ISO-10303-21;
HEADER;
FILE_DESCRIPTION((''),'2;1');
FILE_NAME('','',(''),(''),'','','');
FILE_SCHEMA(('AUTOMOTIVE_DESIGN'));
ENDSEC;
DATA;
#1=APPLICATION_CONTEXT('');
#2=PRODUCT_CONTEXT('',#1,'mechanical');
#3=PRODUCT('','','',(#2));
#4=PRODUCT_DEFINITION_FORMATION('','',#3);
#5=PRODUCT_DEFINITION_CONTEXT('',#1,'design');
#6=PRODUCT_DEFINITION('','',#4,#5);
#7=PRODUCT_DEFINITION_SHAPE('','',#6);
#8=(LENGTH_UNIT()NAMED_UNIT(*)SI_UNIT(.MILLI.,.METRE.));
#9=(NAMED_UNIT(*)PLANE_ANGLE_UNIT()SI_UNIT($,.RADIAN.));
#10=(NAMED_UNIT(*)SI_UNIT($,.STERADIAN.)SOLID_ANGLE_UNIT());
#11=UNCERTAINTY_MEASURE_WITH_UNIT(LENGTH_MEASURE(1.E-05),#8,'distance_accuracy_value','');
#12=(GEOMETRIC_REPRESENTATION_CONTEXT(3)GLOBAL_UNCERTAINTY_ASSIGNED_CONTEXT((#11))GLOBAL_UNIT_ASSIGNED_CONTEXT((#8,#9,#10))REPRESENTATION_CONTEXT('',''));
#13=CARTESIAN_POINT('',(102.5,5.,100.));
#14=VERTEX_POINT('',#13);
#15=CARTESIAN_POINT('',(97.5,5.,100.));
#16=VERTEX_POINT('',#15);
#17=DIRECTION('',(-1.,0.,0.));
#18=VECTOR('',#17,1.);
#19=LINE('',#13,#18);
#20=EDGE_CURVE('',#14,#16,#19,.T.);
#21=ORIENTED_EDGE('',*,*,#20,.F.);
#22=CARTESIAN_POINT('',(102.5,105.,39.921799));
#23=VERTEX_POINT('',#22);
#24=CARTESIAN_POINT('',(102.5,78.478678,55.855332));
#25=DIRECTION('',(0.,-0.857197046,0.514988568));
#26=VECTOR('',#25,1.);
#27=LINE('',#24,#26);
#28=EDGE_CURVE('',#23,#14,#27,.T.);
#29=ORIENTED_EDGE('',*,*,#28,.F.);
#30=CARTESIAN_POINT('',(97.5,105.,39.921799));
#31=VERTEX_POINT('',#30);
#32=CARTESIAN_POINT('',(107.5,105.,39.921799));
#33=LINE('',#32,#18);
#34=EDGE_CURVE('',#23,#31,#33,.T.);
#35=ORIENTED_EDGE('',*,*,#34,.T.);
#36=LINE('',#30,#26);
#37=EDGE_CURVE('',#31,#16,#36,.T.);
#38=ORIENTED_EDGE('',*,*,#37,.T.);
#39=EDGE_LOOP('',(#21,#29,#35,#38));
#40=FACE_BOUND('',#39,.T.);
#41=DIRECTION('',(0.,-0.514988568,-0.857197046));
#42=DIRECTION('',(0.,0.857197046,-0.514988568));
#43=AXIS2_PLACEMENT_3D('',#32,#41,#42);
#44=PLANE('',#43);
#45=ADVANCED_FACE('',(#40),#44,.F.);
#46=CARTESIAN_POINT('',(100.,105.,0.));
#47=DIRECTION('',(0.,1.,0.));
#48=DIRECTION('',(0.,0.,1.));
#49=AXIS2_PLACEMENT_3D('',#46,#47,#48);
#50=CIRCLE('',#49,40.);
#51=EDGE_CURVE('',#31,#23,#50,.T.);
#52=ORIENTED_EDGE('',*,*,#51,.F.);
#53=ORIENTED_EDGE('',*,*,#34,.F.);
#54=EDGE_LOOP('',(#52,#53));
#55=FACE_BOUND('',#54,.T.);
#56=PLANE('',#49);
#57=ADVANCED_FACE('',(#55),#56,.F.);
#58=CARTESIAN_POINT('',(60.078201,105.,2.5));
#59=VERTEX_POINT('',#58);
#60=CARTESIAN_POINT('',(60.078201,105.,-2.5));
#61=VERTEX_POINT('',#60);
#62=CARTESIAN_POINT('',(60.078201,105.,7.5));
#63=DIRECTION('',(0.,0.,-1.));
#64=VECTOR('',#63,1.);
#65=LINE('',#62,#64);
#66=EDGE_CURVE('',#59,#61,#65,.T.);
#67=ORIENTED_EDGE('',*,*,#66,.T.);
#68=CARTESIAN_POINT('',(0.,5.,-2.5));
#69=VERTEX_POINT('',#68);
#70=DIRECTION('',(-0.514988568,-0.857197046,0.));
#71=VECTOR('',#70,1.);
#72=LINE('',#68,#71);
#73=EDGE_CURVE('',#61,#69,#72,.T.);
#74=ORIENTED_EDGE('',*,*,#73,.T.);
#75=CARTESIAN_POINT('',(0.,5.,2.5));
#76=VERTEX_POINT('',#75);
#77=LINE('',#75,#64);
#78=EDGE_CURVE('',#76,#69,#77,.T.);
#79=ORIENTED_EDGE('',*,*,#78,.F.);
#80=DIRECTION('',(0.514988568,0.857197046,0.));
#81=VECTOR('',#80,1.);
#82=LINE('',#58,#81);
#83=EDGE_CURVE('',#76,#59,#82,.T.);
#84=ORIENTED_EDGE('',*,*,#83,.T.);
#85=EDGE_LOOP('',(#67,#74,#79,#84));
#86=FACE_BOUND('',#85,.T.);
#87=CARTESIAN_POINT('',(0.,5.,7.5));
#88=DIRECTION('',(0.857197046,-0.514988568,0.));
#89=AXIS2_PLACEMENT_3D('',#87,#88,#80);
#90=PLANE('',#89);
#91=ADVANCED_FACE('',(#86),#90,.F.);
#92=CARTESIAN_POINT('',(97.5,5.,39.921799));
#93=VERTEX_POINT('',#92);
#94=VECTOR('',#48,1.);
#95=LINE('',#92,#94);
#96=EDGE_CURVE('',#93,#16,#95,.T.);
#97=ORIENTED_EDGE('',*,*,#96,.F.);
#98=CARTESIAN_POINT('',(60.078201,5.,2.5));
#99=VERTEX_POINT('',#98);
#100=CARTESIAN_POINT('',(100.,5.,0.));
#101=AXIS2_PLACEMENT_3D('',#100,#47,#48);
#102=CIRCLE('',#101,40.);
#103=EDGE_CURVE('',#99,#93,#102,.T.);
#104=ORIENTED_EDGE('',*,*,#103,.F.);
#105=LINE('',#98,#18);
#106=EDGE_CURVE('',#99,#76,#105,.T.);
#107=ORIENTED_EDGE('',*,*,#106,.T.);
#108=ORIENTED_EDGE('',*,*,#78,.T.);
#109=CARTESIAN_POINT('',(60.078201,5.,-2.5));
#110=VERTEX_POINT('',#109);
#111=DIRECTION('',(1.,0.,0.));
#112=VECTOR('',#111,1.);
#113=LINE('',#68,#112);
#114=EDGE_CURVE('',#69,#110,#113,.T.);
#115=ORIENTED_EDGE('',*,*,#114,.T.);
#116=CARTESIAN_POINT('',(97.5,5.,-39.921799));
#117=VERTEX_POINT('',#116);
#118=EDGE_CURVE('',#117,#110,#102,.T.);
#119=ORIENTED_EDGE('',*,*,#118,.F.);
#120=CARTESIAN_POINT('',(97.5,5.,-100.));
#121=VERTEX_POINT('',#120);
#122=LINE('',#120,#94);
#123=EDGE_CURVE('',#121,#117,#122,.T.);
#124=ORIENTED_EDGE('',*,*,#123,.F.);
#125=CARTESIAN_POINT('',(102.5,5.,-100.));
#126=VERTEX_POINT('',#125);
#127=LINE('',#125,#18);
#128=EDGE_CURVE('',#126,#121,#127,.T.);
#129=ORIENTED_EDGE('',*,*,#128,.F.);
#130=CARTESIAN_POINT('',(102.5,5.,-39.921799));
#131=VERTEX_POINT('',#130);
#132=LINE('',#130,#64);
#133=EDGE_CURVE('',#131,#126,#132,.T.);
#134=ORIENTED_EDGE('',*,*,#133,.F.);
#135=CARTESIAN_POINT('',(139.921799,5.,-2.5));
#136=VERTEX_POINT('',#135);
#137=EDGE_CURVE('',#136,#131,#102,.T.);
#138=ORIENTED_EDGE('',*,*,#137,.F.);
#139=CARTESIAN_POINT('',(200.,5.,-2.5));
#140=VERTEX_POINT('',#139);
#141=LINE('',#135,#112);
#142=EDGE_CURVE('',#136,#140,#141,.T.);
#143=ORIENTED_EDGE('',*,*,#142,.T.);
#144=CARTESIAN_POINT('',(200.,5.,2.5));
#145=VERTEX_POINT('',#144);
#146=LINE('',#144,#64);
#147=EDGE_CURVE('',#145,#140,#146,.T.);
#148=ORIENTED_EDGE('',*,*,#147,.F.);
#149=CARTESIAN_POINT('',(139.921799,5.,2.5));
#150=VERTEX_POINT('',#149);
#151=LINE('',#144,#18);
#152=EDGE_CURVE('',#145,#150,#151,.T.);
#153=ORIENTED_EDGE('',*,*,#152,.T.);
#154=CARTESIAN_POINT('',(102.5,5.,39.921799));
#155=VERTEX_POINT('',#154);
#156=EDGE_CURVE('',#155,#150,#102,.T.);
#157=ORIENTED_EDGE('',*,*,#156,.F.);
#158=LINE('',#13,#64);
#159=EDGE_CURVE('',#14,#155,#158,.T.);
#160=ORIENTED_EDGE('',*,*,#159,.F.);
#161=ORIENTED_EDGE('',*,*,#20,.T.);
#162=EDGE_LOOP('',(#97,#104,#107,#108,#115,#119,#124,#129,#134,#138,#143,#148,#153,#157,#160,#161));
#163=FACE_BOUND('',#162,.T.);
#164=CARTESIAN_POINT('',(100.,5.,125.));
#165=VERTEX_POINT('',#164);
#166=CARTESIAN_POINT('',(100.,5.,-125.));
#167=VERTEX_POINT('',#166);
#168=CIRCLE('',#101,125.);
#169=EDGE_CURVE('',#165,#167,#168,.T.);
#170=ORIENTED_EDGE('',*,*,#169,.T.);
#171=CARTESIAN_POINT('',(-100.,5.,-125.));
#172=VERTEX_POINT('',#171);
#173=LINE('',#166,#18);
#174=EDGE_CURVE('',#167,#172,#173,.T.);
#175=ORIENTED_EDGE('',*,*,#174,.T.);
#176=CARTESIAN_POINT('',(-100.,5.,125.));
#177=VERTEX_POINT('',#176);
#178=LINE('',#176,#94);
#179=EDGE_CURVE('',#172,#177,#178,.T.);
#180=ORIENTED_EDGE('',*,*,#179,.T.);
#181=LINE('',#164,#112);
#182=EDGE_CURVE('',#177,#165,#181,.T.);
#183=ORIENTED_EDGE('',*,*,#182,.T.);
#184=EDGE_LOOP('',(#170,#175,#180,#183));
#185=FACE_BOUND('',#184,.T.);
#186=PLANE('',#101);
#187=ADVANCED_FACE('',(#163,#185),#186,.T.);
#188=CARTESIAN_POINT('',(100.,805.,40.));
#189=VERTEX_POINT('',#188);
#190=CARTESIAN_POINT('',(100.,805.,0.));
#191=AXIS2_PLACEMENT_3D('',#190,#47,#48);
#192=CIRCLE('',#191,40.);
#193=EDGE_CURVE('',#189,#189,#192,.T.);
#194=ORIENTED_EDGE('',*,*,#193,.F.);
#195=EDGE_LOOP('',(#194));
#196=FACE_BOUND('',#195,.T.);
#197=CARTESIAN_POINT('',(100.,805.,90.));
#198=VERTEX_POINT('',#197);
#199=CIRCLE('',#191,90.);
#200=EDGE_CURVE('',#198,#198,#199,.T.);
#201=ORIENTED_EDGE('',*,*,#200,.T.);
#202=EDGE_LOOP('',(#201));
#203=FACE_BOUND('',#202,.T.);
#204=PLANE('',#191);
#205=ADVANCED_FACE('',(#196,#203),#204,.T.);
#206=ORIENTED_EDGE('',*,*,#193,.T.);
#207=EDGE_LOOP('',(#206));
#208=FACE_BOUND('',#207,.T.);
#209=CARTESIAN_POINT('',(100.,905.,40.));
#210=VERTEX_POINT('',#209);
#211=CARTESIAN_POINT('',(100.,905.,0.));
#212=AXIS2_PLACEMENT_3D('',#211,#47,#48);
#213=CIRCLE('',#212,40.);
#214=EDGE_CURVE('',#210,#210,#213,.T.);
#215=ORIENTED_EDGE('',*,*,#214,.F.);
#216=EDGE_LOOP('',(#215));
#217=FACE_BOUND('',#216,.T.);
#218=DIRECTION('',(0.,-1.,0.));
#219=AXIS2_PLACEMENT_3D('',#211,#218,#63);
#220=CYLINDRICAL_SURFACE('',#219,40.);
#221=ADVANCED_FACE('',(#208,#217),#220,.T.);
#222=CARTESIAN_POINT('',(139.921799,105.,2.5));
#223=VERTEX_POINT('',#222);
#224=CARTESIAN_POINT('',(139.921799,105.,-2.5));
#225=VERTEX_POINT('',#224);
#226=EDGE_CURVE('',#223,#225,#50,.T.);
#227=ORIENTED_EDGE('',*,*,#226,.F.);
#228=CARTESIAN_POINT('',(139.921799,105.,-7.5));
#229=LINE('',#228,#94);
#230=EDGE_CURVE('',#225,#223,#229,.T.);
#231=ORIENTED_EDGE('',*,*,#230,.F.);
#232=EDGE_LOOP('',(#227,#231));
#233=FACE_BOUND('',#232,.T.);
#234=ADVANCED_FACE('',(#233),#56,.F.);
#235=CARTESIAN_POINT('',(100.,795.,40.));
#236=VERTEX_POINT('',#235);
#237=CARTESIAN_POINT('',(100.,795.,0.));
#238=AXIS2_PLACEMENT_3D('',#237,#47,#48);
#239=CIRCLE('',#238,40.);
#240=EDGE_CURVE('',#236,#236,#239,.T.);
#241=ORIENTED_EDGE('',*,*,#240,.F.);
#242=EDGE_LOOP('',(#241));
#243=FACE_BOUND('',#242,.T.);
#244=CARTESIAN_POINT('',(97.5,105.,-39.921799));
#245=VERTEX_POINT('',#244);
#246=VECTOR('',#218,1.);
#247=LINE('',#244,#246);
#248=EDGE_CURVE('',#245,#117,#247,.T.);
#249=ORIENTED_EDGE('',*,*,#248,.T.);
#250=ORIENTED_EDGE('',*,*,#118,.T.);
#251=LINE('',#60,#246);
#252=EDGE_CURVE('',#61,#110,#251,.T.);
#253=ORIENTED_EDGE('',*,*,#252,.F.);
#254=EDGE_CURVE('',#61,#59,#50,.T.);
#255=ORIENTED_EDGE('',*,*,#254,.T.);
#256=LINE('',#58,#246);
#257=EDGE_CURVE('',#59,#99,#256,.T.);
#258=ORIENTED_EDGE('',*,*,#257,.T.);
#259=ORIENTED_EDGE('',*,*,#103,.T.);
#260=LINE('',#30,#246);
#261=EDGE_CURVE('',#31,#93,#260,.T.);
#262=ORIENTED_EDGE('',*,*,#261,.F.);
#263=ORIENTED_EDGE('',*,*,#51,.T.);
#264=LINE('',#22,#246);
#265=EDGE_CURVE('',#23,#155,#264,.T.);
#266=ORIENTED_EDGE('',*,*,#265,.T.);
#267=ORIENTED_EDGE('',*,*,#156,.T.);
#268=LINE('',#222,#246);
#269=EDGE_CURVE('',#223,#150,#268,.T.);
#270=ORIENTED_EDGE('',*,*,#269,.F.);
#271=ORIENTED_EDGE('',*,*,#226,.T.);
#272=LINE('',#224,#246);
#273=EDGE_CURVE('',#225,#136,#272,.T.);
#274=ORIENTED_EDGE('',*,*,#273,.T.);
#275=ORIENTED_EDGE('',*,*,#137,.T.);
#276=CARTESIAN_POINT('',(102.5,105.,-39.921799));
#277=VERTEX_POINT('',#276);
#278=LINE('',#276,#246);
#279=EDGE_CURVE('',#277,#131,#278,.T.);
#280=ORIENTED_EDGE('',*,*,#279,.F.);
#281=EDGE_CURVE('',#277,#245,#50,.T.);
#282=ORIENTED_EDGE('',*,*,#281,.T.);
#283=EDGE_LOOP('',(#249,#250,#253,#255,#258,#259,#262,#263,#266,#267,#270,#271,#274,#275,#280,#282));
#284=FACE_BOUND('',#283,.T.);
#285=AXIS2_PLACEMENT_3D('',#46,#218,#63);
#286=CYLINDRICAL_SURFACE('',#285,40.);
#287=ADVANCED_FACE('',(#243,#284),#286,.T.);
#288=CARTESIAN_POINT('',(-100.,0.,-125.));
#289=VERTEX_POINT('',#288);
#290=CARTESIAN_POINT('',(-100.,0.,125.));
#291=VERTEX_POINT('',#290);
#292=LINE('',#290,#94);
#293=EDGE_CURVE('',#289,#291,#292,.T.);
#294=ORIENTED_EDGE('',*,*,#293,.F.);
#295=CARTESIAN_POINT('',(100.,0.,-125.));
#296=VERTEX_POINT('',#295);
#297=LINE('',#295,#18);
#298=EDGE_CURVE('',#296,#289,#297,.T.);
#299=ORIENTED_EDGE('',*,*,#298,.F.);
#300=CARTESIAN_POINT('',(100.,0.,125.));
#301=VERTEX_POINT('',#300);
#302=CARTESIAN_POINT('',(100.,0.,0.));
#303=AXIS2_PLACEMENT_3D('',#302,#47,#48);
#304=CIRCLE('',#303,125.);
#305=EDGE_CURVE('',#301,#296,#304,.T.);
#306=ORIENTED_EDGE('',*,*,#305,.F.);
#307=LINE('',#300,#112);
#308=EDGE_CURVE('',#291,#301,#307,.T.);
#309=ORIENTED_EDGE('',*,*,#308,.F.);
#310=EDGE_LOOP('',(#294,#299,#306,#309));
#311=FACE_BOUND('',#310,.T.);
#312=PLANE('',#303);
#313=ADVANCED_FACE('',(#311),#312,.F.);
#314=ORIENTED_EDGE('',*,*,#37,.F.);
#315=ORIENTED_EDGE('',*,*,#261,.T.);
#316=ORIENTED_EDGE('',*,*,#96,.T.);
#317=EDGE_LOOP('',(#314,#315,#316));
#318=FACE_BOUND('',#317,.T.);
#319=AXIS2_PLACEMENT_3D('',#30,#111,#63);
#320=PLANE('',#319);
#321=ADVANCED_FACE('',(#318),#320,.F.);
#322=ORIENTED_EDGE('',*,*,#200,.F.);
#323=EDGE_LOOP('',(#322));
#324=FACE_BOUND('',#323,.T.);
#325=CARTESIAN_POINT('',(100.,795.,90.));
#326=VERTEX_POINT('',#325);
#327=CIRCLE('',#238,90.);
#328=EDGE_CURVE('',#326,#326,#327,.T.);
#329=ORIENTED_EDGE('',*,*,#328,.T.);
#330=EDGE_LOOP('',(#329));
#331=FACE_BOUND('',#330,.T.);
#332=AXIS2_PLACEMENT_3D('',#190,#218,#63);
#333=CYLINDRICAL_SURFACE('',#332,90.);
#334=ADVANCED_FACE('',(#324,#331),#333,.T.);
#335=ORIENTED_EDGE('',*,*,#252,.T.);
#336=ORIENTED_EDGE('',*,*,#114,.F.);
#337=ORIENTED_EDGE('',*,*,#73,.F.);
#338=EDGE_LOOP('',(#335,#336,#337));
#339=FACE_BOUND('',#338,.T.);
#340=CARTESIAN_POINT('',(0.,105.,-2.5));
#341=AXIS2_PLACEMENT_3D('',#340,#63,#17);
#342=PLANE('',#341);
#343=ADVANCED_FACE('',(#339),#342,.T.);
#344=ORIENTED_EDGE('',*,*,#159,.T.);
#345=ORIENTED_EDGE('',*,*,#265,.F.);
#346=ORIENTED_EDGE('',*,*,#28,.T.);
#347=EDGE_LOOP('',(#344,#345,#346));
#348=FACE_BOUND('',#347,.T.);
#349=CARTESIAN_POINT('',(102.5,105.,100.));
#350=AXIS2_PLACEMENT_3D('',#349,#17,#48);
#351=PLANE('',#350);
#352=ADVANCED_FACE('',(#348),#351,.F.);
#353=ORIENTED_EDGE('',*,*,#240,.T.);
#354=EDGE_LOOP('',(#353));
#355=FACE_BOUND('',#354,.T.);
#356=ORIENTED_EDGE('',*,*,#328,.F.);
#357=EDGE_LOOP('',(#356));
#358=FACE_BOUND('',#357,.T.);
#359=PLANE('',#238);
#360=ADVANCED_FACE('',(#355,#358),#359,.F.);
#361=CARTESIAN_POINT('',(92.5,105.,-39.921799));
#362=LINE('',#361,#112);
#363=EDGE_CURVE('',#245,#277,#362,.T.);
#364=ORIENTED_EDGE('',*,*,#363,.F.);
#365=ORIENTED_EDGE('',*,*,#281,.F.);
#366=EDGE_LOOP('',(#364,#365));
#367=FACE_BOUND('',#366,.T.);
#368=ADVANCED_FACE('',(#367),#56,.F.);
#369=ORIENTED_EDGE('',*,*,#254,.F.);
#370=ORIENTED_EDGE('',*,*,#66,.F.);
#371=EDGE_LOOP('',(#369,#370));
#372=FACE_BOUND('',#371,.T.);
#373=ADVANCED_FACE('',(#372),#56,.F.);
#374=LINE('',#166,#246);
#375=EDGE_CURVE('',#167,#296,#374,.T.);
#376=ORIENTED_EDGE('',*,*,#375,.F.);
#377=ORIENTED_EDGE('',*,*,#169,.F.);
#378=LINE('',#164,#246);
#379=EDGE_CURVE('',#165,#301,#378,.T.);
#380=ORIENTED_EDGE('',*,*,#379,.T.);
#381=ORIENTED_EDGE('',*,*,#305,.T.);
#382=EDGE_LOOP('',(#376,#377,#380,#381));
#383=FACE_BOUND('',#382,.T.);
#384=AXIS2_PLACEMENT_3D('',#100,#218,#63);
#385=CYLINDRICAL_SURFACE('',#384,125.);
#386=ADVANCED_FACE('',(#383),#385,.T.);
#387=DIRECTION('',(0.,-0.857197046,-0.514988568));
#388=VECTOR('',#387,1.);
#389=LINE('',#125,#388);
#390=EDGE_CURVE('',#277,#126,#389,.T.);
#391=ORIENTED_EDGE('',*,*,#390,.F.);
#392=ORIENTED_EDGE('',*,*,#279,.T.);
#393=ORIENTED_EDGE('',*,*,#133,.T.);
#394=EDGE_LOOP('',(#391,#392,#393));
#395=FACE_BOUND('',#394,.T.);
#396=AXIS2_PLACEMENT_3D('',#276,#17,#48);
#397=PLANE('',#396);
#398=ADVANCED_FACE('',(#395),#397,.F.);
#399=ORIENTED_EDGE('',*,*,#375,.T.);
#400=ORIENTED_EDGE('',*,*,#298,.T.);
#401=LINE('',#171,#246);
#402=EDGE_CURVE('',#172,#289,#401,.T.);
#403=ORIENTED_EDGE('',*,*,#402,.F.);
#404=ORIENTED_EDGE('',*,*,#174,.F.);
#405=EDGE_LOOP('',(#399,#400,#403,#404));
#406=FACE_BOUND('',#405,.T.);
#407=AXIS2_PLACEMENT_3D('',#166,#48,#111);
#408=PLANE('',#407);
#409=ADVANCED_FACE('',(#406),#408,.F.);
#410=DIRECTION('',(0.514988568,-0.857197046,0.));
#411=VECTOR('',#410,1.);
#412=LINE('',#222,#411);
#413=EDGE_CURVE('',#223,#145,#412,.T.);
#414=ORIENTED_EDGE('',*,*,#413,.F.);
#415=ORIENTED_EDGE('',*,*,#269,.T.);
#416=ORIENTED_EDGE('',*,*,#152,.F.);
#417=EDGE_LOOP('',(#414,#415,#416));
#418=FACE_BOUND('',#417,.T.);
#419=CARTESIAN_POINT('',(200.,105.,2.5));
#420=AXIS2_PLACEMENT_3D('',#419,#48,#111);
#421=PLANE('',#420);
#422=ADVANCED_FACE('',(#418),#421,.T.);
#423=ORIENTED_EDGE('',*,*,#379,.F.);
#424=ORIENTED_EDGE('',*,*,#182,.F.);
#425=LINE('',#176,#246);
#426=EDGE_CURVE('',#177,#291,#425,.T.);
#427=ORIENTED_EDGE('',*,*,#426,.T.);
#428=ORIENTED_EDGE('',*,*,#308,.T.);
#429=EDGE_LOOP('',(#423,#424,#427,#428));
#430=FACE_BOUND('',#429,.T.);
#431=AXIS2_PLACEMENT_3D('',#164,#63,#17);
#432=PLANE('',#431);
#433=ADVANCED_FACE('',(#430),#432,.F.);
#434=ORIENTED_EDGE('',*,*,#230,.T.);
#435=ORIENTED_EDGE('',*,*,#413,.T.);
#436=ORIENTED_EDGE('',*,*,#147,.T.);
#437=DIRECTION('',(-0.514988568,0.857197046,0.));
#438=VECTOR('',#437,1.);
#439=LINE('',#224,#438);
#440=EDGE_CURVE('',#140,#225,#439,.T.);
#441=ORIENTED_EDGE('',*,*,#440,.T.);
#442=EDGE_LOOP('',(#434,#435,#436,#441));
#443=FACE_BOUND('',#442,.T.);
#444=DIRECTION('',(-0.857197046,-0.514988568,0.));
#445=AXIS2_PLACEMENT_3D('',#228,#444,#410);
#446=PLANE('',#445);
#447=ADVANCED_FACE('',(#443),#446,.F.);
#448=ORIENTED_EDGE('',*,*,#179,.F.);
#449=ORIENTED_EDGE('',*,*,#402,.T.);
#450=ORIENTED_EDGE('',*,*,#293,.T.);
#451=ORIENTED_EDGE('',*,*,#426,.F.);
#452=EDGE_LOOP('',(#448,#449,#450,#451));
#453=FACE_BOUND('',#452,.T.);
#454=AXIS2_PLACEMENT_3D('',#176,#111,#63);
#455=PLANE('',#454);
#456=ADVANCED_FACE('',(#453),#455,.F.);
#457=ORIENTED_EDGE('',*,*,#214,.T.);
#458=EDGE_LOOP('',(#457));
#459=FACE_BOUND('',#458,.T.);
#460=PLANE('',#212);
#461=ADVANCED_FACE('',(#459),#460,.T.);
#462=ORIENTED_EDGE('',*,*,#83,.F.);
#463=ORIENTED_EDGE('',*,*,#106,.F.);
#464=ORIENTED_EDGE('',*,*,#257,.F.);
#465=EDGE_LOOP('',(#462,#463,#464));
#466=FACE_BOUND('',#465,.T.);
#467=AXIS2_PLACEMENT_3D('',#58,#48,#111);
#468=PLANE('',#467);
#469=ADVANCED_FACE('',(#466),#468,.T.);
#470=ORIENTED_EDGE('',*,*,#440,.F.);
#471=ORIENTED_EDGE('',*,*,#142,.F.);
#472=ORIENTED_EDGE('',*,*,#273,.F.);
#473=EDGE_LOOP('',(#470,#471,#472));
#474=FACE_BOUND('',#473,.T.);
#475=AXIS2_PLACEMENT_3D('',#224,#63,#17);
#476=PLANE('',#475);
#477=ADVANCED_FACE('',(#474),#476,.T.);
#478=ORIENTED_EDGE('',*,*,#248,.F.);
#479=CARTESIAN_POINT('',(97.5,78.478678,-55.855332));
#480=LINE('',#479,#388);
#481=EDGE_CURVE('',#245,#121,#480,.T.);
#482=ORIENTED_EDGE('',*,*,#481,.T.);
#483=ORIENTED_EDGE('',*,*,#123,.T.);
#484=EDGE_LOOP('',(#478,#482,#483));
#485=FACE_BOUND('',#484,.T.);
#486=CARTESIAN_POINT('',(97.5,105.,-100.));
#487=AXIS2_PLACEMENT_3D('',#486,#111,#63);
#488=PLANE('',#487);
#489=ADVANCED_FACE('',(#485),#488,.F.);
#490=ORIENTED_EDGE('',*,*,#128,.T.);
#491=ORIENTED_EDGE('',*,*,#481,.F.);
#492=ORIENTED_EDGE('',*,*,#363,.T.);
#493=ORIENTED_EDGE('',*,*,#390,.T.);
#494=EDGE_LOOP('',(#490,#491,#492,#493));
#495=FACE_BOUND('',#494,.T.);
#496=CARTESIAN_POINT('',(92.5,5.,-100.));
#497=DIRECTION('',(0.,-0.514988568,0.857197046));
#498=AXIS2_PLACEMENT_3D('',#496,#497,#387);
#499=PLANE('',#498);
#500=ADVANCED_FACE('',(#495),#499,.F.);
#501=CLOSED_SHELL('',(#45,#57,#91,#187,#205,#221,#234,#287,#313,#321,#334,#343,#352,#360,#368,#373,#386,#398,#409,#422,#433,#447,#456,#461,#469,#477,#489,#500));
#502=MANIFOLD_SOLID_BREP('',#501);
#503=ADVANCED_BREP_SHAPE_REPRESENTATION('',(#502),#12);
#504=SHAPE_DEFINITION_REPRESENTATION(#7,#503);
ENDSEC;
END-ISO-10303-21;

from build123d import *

# Parameters (mm, degrees)
EXTRUDE_2_DEPTH     = 5
SKETCH_5_R          = 40
EXTRUDE_5_DEPTH     = 100
EXTRUDE_6_DEPTH     = 100
CUT_EXTRUDE_1_DEPTH = 10
CUT_EXTRUDE_2_DEPTH = 10
CUT_EXTRUDE_3_DEPTH = 10
CUT_EXTRUDE_4_DEPTH = 10
SKETCH_11_R         = 40
EXTRUDE_7_DEPTH     = 690
SKETCH_12_R         = 90
EXTRUDE_8_DEPTH     = 10
SKETCH_13_R         = 40
EXTRUDE_9_DEPTH     = 100


with BuildPart() as part:
    # 草图1 → 凸台-拉伸2 (new body)
    with BuildSketch(Plane(origin=(0, 0, 0), x_dir=(1, 0, 0), z_dir=(0, 1, 0))):
        with BuildLine():
            Line((100, -125), (-100, -125))
            Line((-100, -125), (-100, 125))
            Line((-100, 125), (100, 125))
            ThreePointArc((100, 125), (225, 0), (100, -125))
        make_face()
    extrude(amount=EXTRUDE_2_DEPTH)

    # 草图5 → 凸台-拉伸5 (add)
    with BuildSketch(Plane(origin=(0, 5, 0), x_dir=(1, 0, 0), z_dir=(0, 1, 0))):
        with Locations((100, 0)):
            Circle(SKETCH_5_R)
    extrude(amount=EXTRUDE_5_DEPTH)

    # 草图6 → 凸台-拉伸6 (add)
    with BuildSketch(Plane(origin=(0, 5, 0), x_dir=(1, 0, 0), z_dir=(0, 1, 0))):
        with BuildLine():
            Line((102.5, -100), (97.5, -100))
            Line((97.5, -100), (97.5, -39.921798557))
            ThreePointArc((97.5, -39.921798557), (100, -40), (102.5, -39.921798557))
            Line((102.5, -39.921798557), (102.5, -100))
        make_face()
        with BuildLine():
            Line((0, -2.5), (0, 2.5))
            Line((0, 2.5), (60.078201443, 2.5))
            ThreePointArc((60.078201443, 2.5), (60, 0), (60.078201443, -2.5))
            Line((60.078201443, -2.5), (0, -2.5))
        make_face()
        with BuildLine():
            Line((102.5, 100), (97.5, 100))
            Line((97.5, 100), (97.5, 39.921798557))
            ThreePointArc((97.5, 39.921798557), (100, 40), (102.5, 39.921798557))
            Line((102.5, 39.921798557), (102.5, 100))
        make_face()
        with BuildLine():
            Line((200, -2.5), (200, 2.5))
            Line((200, 2.5), (139.921798557, 2.5))
            ThreePointArc((139.921798557, 2.5), (140, 0), (139.921798557, -2.5))
            Line((139.921798557, -2.5), (200, -2.5))
        make_face()
    extrude(amount=EXTRUDE_6_DEPTH)

    # 草图7 → 切除-拉伸1 (cut)
    with BuildSketch(Plane.ZY.offset(-97.5)):
        Polygon((39.921798557, 105), (100, 5), (100, 105), align=None)
    extrude(amount=-CUT_EXTRUDE_1_DEPTH, mode=Mode.SUBTRACT)

    # 草图8 → 切除-拉伸2 (cut)
    with BuildSketch(Plane.XY.offset(2.5)):
        Polygon((139.921798557, 105), (200, 5), (200, 105), align=None)
    extrude(amount=-CUT_EXTRUDE_2_DEPTH, mode=Mode.SUBTRACT)

    # 草图9 → 切除-拉伸3 (cut)
    with BuildSketch(Plane(origin=(102.5, 0, 0), x_dir=(0, 0, -1), z_dir=(1, 0, 0))):
        Polygon((39.921798557, 105), (100, 105), (100, 5), align=None)
    extrude(amount=-CUT_EXTRUDE_3_DEPTH, mode=Mode.SUBTRACT)

    # 草图10 → 切除-拉伸4 (cut)
    with BuildSketch(Plane(origin=(0, 0, -2.5), x_dir=(-1, 0, 0), z_dir=(0, 0, -1))):
        Polygon((0, 105), (0, 5), (-60.078201443, 105), align=None)
    extrude(amount=-CUT_EXTRUDE_4_DEPTH, mode=Mode.SUBTRACT)

    # 草图11 → 凸台-拉伸7 (add)
    with BuildSketch(Plane(origin=(0, 105, 0), x_dir=(1, 0, 0), z_dir=(0, 1, 0))):
        with Locations((100, 0)):
            Circle(SKETCH_11_R)
    extrude(amount=EXTRUDE_7_DEPTH)

    # 草图12 → 凸台-拉伸8 (add)
    with BuildSketch(Plane(origin=(0, 795, 0), x_dir=(1, 0, 0), z_dir=(0, 1, 0))):
        with Locations((100, 0)):
            Circle(SKETCH_12_R)
    extrude(amount=EXTRUDE_8_DEPTH)

    # 草图13 → 凸台-拉伸9 (add)
    with BuildSketch(Plane(origin=(0, 805, 0), x_dir=(1, 0, 0), z_dir=(0, 1, 0))):
        with Locations((100, 0)):
            Circle(SKETCH_13_R)
    extrude(amount=EXTRUDE_9_DEPTH)


solid = part.part
